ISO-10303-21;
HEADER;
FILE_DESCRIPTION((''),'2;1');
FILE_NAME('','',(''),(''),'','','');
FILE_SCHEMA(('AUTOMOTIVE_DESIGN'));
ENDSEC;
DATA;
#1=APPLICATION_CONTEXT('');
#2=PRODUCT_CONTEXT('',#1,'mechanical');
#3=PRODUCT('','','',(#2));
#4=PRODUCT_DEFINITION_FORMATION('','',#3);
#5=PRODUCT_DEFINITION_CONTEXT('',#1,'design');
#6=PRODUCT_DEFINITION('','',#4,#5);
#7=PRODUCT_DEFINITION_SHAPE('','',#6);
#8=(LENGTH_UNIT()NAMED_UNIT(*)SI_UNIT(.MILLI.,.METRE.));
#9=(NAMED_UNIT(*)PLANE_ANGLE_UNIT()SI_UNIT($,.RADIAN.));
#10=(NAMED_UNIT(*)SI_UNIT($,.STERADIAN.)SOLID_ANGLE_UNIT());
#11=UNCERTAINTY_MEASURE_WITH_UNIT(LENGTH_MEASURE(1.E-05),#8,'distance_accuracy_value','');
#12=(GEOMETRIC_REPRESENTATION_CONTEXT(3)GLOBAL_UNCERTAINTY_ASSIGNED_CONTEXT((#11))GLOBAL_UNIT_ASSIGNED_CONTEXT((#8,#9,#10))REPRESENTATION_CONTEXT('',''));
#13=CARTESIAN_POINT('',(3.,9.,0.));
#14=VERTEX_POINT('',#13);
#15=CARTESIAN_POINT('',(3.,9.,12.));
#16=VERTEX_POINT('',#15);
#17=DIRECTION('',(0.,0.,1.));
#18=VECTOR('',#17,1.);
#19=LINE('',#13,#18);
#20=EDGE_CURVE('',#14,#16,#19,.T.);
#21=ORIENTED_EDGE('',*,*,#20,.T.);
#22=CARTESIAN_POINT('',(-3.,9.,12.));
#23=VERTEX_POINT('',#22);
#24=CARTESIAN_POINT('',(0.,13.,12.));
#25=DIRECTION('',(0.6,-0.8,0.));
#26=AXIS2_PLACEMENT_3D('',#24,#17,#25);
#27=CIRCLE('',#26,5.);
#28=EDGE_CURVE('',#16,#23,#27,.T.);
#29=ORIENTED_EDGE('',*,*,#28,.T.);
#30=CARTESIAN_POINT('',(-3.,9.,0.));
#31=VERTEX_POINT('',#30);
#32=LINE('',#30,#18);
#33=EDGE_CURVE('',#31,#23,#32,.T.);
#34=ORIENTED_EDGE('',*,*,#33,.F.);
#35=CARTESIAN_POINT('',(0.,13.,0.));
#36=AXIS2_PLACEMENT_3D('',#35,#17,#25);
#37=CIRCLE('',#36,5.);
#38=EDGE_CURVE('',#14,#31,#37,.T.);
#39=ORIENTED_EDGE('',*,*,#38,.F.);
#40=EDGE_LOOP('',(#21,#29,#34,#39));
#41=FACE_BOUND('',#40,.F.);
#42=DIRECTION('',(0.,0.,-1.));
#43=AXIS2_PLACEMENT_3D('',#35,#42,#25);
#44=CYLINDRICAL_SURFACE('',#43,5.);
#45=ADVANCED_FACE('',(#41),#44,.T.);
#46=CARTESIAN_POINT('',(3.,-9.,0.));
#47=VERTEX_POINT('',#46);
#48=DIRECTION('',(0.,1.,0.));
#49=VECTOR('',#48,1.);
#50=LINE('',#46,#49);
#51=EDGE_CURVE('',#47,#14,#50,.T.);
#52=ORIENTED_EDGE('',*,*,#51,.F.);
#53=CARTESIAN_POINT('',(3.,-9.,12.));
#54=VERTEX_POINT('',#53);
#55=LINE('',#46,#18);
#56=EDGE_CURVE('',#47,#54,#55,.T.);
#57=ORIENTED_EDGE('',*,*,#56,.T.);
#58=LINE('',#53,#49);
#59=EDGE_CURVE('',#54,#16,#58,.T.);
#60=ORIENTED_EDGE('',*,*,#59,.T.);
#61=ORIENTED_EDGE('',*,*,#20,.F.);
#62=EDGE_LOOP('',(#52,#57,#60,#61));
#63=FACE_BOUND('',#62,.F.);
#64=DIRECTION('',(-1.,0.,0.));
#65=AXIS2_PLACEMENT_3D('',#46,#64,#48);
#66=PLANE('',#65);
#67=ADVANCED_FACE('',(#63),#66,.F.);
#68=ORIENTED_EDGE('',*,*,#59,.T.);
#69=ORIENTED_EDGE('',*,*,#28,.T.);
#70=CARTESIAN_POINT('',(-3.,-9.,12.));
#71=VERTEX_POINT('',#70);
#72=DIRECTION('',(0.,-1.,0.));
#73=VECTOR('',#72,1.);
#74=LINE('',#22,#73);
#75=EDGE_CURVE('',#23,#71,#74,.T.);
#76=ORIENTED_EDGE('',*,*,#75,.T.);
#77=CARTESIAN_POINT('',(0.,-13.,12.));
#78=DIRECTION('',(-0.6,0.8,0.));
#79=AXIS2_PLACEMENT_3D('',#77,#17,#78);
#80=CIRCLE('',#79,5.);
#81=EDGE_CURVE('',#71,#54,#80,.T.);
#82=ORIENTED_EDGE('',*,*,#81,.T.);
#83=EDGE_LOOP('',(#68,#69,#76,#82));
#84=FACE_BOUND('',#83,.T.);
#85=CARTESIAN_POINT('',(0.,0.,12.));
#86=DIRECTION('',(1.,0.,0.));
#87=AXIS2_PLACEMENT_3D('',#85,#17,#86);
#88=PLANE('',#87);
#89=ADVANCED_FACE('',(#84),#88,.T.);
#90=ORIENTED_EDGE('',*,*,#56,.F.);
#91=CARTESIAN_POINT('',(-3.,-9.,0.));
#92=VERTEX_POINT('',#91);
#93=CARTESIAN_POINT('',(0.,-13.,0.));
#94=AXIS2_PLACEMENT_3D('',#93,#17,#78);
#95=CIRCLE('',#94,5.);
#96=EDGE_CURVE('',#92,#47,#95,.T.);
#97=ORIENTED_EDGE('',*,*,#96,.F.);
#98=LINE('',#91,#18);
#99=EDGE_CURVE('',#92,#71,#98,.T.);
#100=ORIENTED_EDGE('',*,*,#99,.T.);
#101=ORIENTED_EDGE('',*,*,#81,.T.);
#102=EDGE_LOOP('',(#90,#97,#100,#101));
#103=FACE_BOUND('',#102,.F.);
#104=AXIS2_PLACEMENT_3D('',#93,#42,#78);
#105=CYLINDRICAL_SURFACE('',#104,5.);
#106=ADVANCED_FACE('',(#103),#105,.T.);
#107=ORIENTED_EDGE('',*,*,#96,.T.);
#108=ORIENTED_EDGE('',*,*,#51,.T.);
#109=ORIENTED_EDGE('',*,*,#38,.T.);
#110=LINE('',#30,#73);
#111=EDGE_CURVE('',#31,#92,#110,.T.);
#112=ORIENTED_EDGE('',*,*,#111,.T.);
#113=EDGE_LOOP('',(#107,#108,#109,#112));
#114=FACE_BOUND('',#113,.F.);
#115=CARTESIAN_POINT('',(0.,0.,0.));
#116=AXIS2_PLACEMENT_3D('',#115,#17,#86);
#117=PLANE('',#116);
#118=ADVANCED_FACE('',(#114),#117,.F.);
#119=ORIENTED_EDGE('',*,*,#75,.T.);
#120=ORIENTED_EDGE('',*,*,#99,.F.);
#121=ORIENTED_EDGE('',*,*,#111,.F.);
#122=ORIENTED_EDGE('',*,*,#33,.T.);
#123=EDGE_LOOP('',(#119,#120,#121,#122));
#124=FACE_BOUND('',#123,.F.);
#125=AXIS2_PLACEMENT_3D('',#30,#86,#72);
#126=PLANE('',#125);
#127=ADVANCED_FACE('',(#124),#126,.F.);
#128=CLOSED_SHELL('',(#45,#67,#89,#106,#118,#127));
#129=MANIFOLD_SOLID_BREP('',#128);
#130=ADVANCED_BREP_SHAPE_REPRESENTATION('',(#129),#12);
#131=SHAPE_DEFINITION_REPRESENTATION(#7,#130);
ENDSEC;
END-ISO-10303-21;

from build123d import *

# Parameters (mm, degrees)
PAD_DEPTH = 12


with BuildPart() as part:
    # Sketch → Pad (new body)
    with BuildSketch(Plane.XY):
        with BuildLine():
            Line((-3, 0), (-3, -9))
            ThreePointArc((-3, -9), (0, -18), (3, -9))
            Line((3, 0), (3, -9))
            Line((3, 0), (3, 9))
            ThreePointArc((3, 9), (0, 18), (-3, 9))
            Line((-3, 0), (-3, 9))
        make_face()
    extrude(amount=PAD_DEPTH)


solid = part.part
